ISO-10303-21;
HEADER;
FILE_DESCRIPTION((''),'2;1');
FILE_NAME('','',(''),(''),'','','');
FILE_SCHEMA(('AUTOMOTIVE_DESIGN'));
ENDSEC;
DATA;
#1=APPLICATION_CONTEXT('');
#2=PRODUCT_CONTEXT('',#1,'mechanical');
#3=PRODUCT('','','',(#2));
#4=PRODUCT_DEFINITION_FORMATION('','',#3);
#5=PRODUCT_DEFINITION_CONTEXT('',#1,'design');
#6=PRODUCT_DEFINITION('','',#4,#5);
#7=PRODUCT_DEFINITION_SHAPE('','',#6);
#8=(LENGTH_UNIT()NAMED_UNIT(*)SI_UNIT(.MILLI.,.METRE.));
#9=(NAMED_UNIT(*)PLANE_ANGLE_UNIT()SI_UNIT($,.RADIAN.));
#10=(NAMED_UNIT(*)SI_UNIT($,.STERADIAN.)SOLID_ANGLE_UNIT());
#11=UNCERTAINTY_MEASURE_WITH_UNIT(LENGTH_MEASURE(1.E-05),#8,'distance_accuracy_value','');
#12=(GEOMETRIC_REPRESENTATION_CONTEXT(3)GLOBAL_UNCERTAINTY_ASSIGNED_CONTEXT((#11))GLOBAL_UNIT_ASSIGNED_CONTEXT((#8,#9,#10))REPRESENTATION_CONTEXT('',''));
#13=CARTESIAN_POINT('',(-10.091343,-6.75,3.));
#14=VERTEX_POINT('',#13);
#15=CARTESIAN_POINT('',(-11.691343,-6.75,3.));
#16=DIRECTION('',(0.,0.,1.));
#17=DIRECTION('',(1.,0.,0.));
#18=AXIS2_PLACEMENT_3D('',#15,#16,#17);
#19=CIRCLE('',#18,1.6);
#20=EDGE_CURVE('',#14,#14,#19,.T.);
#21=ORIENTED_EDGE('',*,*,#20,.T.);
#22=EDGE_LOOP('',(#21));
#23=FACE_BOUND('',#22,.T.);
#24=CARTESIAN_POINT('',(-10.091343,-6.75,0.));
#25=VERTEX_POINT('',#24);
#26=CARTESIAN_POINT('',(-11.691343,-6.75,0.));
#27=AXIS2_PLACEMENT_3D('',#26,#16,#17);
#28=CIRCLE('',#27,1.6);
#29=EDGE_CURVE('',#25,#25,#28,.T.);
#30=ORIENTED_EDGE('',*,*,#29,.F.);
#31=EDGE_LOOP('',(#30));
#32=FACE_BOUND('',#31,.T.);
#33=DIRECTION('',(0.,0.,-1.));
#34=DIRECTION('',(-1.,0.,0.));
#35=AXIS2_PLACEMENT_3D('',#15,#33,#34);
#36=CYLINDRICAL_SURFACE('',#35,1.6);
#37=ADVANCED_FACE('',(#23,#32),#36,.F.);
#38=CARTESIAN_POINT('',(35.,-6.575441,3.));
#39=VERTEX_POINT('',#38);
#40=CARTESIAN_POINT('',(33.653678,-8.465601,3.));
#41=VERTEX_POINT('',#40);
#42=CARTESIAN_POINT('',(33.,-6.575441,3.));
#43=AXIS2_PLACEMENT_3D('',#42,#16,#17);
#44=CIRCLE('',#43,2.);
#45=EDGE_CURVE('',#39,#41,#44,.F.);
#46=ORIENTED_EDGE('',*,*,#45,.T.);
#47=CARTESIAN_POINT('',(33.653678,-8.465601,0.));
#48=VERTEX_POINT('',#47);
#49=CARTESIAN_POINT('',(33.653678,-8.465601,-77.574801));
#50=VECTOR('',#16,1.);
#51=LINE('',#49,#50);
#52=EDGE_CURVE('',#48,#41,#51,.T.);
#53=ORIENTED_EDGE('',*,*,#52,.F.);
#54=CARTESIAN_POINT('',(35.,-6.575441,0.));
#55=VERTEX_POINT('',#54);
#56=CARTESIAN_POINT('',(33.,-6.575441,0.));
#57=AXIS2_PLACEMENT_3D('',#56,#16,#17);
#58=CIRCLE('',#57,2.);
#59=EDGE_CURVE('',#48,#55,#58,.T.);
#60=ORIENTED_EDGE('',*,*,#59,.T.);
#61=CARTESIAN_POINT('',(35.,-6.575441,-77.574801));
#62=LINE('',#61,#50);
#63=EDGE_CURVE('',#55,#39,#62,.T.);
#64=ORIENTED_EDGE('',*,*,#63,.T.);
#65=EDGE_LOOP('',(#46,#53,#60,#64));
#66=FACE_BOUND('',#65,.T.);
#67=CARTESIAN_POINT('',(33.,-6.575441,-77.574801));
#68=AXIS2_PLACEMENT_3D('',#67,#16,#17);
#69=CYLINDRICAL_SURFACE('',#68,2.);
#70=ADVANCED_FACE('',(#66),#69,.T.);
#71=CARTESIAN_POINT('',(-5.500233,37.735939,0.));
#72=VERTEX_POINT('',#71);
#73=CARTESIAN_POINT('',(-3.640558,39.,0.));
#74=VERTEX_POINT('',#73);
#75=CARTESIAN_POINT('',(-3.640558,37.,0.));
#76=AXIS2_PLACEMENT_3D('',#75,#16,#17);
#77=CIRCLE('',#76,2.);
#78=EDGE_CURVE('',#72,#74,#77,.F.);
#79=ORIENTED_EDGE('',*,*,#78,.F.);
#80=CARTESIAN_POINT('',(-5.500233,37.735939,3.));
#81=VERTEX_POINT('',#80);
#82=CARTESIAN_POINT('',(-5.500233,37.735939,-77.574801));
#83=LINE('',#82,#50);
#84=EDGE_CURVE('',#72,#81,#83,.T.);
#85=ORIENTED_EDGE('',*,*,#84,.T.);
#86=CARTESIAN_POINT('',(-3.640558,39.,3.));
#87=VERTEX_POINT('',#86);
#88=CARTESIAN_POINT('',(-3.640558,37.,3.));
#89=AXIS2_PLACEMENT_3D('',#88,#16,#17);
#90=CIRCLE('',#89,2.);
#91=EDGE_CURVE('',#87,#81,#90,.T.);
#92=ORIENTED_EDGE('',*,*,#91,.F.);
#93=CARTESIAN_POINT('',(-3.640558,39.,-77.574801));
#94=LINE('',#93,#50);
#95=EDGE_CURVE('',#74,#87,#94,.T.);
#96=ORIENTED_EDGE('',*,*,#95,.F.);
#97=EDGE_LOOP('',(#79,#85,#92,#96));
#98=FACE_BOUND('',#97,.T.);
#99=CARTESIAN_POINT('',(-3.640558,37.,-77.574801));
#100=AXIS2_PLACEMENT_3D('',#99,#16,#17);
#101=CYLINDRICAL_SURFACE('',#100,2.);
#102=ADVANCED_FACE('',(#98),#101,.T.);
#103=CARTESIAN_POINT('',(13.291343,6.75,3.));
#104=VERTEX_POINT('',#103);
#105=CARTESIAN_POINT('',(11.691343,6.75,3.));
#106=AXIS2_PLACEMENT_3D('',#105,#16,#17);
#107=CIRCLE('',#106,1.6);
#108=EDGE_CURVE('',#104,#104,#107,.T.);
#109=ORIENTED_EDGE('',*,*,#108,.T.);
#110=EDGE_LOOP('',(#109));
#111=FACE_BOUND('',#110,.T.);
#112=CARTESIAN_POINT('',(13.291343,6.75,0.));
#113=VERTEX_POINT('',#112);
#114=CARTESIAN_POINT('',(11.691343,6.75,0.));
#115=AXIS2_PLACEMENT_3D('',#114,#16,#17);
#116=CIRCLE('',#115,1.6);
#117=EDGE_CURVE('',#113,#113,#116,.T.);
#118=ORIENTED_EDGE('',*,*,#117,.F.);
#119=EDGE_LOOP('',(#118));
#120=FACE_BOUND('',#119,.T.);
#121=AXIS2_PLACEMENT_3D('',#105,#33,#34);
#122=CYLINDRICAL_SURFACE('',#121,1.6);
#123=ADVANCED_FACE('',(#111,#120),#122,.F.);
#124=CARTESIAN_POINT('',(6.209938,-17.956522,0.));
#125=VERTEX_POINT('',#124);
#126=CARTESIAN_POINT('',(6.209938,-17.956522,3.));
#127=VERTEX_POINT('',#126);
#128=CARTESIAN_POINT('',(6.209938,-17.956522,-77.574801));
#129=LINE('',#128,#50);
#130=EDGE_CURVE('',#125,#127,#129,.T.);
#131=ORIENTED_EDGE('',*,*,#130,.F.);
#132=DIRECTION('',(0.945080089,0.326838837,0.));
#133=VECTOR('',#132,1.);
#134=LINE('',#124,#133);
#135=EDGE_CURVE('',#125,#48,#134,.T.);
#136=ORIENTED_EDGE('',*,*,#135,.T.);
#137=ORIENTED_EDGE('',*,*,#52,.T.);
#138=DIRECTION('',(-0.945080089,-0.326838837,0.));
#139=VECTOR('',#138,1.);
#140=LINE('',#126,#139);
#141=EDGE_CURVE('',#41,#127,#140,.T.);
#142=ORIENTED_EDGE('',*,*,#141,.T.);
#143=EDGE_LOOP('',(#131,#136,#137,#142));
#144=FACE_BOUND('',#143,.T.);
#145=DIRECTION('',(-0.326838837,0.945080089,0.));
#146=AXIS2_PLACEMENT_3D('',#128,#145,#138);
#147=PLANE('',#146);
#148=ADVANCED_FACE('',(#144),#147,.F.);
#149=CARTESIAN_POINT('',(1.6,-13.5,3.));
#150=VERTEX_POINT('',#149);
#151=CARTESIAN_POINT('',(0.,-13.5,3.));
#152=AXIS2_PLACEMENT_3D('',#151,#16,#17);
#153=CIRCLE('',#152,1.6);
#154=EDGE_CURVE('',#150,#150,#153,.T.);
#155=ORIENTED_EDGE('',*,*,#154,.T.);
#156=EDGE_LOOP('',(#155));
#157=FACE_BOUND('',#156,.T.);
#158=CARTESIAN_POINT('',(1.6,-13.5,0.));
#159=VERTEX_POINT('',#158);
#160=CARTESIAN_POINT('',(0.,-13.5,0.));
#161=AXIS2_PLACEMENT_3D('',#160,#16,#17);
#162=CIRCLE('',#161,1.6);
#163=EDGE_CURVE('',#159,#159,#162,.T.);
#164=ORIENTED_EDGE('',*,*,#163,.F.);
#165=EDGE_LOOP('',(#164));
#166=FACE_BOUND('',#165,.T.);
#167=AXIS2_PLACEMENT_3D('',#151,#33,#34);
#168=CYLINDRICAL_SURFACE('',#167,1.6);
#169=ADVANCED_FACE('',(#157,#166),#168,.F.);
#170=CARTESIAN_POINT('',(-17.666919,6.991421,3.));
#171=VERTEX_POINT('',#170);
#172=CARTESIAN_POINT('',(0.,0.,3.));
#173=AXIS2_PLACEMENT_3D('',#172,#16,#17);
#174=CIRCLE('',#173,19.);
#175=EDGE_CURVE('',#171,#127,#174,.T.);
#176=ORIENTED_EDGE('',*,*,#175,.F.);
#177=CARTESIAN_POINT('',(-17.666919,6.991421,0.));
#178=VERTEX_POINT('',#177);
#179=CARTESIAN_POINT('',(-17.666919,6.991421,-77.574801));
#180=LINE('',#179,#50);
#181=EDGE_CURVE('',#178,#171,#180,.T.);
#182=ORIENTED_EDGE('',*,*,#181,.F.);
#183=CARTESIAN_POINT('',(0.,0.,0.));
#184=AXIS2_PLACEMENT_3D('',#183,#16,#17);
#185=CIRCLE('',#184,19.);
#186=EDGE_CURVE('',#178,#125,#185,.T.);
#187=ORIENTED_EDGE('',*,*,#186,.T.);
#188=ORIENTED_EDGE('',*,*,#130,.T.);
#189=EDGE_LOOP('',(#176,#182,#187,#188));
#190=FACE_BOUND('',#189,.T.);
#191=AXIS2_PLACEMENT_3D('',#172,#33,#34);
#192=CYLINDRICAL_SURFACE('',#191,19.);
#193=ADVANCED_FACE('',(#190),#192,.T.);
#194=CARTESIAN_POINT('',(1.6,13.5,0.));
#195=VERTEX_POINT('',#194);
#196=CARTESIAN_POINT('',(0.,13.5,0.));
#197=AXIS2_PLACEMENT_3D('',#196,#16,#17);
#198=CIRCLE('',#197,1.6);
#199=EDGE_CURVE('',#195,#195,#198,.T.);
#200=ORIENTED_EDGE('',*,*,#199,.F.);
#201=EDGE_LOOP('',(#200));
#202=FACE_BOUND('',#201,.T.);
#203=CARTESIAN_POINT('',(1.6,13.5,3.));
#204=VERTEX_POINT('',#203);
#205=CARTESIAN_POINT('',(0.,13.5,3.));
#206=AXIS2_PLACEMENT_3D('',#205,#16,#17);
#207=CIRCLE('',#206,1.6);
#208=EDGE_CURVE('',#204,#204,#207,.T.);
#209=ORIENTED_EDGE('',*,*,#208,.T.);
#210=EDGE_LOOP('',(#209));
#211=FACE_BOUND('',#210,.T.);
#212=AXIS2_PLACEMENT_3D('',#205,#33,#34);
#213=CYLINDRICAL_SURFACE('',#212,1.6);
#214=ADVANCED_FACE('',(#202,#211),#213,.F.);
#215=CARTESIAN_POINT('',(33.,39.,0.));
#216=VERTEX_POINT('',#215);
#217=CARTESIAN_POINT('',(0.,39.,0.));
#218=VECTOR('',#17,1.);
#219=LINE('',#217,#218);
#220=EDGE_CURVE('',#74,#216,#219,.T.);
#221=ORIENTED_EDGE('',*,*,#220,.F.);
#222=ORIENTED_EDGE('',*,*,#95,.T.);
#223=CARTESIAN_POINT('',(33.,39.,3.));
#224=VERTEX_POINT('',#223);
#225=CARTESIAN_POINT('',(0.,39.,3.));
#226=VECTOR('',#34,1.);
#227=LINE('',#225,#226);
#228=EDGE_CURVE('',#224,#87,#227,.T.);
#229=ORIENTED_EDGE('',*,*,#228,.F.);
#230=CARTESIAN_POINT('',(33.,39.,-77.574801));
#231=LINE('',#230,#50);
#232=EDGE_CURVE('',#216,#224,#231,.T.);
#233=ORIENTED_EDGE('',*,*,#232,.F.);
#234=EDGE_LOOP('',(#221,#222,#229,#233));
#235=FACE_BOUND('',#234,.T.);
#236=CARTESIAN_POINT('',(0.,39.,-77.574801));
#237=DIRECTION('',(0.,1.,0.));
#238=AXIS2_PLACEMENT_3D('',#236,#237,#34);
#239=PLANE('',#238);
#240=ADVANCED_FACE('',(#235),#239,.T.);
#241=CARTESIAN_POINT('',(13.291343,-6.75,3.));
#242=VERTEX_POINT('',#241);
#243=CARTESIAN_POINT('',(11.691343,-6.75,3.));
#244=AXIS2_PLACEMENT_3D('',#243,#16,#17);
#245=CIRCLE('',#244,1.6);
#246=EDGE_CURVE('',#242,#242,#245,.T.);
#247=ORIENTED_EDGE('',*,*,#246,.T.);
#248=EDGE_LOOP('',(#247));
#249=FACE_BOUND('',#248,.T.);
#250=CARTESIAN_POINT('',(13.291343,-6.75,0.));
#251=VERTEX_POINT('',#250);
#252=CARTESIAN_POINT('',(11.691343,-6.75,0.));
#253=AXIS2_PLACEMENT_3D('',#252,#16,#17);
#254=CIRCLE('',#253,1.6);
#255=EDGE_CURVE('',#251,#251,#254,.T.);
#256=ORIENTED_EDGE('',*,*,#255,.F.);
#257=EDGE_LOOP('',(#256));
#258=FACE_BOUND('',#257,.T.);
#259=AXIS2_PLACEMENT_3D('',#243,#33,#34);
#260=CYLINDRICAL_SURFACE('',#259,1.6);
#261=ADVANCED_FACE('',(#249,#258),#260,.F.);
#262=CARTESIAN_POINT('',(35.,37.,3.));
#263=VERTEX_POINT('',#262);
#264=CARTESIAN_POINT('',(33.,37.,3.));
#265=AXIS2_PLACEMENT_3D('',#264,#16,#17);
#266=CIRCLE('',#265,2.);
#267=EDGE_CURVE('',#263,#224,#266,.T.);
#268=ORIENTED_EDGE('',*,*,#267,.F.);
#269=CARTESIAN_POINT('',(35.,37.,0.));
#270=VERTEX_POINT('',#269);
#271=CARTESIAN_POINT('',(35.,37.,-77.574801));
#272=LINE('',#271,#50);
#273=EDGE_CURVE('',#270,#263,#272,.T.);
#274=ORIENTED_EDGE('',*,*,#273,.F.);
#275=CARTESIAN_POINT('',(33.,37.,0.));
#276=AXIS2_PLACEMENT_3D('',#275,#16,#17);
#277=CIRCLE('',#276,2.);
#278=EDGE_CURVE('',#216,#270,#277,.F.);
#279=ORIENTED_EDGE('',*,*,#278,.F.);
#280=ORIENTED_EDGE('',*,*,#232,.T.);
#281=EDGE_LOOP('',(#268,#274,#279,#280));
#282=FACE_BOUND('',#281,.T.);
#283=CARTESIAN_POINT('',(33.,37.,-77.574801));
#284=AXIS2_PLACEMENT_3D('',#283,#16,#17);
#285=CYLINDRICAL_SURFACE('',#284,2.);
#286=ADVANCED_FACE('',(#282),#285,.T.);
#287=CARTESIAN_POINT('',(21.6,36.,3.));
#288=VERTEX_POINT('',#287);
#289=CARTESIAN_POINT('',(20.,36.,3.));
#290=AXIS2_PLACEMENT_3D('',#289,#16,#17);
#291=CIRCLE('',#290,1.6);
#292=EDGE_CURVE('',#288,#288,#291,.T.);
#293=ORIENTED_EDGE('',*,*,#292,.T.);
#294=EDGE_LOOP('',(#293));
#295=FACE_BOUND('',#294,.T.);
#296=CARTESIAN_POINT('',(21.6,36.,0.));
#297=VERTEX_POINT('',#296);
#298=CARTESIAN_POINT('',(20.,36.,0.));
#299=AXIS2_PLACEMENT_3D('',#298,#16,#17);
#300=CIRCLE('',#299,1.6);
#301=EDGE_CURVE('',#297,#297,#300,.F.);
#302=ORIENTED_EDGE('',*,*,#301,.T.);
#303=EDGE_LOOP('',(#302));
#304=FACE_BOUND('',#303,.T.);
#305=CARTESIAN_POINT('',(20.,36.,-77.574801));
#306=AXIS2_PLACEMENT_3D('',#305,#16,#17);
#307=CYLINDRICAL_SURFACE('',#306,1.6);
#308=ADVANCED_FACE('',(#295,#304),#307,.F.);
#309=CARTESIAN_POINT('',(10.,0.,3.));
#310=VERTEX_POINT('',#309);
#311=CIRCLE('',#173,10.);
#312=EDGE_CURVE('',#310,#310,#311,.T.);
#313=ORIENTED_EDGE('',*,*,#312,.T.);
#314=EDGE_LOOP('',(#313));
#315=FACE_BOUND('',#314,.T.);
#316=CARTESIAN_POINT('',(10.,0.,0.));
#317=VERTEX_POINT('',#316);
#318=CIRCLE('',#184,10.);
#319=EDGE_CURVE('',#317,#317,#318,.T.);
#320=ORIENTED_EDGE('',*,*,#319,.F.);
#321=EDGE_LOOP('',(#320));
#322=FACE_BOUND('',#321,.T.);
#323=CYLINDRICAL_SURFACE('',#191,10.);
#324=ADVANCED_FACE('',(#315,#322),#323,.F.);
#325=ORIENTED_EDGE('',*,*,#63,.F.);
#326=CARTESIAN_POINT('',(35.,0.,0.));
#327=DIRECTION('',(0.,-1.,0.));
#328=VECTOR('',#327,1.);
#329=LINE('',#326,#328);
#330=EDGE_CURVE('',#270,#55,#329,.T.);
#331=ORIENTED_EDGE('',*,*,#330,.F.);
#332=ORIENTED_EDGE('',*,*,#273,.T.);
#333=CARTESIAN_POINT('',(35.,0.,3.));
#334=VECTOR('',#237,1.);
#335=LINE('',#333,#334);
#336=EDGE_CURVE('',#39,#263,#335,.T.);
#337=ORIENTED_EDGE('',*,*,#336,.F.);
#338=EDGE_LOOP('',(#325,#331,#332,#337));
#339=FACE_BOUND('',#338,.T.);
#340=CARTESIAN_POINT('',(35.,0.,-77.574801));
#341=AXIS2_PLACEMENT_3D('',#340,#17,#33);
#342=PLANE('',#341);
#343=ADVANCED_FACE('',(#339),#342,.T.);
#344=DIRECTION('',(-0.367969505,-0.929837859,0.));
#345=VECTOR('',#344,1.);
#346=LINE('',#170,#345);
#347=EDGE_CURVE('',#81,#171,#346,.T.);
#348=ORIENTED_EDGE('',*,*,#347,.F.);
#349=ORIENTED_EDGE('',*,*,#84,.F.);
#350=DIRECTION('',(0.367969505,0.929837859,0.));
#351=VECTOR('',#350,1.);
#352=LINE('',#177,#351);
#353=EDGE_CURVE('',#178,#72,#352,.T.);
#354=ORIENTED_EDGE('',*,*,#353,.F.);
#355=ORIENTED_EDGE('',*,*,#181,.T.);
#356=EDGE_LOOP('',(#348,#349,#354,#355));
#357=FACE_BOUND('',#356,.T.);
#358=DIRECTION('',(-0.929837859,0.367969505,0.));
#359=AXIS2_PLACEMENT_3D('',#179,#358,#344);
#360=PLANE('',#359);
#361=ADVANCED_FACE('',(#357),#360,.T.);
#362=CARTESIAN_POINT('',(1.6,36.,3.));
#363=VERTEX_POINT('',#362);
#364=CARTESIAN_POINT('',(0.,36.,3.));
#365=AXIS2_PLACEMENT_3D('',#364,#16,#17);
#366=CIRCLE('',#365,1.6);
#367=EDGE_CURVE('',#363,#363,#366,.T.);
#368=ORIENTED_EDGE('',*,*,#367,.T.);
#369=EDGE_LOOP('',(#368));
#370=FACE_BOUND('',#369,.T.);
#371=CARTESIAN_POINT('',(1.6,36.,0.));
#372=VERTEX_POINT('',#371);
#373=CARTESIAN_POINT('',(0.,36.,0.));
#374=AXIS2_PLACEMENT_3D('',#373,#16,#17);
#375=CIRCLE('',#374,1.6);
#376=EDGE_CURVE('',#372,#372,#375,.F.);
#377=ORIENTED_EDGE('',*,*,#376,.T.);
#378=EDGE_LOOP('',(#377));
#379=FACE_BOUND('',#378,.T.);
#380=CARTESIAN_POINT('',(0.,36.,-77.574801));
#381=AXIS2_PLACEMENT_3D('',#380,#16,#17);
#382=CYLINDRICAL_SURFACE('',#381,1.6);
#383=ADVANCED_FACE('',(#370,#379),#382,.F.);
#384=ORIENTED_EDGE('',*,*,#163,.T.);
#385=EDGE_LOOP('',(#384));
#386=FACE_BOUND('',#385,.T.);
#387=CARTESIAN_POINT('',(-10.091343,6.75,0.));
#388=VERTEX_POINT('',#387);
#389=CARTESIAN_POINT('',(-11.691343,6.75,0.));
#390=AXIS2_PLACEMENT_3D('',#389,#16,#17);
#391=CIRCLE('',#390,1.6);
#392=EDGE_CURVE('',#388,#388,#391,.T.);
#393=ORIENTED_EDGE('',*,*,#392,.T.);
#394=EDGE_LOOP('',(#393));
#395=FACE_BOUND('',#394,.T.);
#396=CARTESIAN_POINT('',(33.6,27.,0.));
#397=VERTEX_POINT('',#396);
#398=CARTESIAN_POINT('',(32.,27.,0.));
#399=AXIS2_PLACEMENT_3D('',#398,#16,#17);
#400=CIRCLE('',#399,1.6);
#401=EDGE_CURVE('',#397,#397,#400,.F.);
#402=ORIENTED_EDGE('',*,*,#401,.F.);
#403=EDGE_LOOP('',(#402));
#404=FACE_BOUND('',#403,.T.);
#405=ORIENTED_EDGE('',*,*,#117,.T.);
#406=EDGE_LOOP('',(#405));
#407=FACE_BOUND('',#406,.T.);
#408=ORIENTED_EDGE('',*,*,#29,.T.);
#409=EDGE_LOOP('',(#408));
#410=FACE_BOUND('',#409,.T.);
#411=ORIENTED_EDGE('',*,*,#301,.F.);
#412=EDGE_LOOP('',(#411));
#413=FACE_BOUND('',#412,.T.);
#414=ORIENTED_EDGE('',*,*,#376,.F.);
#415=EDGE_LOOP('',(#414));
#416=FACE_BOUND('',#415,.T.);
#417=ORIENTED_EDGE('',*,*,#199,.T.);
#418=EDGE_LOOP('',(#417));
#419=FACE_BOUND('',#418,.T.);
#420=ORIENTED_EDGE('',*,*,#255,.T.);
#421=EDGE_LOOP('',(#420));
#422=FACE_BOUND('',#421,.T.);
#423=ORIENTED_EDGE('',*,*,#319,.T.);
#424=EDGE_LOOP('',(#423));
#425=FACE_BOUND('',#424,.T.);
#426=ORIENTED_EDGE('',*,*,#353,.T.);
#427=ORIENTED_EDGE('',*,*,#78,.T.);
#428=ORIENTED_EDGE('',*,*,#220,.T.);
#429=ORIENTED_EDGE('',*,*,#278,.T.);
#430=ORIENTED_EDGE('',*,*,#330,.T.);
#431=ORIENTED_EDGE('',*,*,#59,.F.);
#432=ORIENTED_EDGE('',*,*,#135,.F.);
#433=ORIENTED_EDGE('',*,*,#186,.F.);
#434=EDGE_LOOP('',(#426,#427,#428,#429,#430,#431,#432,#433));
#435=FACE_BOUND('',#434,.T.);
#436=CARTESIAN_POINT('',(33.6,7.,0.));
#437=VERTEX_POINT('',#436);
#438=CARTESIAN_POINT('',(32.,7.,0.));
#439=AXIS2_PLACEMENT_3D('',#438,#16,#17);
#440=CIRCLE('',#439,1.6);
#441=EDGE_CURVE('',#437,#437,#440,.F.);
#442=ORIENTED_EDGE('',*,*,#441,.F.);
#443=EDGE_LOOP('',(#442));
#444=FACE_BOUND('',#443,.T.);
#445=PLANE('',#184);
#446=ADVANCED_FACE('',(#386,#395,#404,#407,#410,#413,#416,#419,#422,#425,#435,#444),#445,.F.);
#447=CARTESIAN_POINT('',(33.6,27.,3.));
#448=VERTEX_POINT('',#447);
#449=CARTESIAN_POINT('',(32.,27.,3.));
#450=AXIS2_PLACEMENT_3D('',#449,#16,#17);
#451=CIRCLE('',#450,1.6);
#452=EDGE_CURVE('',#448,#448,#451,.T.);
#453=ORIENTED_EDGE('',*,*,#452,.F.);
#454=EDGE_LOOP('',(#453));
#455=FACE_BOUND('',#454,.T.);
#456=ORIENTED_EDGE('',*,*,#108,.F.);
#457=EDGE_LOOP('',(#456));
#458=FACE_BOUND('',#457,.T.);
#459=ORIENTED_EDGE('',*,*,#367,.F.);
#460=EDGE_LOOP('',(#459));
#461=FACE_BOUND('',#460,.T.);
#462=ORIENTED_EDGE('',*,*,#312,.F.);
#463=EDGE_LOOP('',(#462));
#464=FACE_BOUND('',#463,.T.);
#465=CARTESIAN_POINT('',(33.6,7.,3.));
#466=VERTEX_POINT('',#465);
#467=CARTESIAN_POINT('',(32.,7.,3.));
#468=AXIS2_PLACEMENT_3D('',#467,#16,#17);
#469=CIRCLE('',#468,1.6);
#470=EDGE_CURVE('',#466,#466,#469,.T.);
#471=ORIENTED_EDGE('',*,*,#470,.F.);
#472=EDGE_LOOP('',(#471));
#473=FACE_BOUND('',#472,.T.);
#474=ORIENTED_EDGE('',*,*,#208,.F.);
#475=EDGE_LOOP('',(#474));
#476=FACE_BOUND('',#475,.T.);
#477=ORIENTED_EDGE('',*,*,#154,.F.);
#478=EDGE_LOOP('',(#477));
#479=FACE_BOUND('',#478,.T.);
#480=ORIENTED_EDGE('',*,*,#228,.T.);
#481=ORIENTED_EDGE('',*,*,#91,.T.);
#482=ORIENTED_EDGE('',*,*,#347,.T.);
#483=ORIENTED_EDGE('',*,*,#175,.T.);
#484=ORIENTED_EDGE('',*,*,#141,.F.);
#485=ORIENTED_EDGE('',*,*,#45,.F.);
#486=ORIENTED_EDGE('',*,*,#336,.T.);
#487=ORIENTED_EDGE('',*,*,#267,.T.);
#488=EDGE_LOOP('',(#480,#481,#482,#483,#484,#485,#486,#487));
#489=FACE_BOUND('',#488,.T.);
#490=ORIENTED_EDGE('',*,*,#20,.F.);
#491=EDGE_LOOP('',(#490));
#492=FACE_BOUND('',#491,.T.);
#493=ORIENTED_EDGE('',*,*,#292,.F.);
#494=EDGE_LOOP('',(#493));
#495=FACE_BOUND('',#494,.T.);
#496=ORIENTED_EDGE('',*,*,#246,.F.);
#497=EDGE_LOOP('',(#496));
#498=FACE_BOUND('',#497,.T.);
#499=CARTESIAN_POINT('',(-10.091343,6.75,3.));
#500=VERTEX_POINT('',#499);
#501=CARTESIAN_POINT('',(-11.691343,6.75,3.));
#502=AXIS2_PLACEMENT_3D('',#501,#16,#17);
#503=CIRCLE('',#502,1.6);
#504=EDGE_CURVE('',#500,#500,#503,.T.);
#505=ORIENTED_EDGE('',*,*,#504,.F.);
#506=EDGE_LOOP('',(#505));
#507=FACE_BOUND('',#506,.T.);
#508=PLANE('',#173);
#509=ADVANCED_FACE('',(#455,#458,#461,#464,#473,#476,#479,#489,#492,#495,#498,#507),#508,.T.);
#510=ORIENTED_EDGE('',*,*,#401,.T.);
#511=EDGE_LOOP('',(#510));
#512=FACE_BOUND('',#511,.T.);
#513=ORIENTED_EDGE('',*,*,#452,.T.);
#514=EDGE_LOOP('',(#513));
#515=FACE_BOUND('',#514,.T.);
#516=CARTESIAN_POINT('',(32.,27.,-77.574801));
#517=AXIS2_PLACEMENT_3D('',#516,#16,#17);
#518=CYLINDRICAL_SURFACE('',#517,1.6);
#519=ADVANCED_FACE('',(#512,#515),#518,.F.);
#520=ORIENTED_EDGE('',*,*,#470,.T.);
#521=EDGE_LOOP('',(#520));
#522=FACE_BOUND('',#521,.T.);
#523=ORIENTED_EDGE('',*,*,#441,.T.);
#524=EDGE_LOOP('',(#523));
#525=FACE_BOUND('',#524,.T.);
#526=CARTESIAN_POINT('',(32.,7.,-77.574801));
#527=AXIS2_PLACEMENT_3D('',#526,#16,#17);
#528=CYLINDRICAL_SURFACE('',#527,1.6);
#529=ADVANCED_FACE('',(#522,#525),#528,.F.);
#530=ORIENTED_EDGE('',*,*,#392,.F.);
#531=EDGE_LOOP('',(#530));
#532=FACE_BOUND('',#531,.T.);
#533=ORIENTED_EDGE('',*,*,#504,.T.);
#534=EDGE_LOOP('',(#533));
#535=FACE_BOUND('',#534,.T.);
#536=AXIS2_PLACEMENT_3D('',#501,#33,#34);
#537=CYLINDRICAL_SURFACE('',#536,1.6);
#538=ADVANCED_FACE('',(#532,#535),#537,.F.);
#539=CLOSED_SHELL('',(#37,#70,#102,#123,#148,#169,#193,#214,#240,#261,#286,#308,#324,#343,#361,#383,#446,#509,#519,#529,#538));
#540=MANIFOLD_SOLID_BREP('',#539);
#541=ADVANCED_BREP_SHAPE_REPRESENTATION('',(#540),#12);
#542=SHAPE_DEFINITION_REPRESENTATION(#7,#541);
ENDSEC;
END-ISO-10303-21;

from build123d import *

# Parameters (mm, degrees)
SKETCH_1_R      = 19
SKETCH_1_R_2    = 10
SKETCH_1_R_3    = 1.6
EXTRUDE_1_DEPTH = 3
EXTRUDE_START   = -3
SKETCH_2_R      = 1.6
EXTRUDE_3_DEPTH = 3


with BuildPart() as part:
    # 草图1 → 凸台-拉伸1 (new body)
    with BuildSketch(Plane.XY):
        Circle(SKETCH_1_R)
        Circle(SKETCH_1_R_2, mode=Mode.SUBTRACT)
        with Locations((0, 13.5)):
            Circle(SKETCH_1_R_3, mode=Mode.SUBTRACT)
        with Locations((11.691342951, 6.75)):
            Circle(SKETCH_1_R_3, mode=Mode.SUBTRACT)
        with Locations((11.691342951, -6.75)):
            Circle(SKETCH_1_R_3, mode=Mode.SUBTRACT)
        with Locations((0, -13.5)):
            Circle(SKETCH_1_R_3, mode=Mode.SUBTRACT)
        with Locations((-11.691342951, -6.75)):
            Circle(SKETCH_1_R_3, mode=Mode.SUBTRACT)
        with Locations((-11.691342951, 6.75)):
            Circle(SKETCH_1_R_3, mode=Mode.SUBTRACT)
    extrude(amount=EXTRUDE_1_DEPTH)

    # 草图2 → 凸台-拉伸3 (add)
    with BuildSketch(Plane.XY.offset(3).offset(EXTRUDE_START)):
        with BuildLine():
            Line((35, -6.575441021), (35, 37))
            ThreePointArc((35, 37), (34.414213562, 38.414213562), (33, 39))
            Line((33, 39), (-3.640557622, 39))
            ThreePointArc((-3.640557622, 39), (-4.764862291, 38.654067414), (-5.500233339, 37.735939011))
            Line((-5.500233339, 37.735939011), (-17.666919312, 6.991420601))
            ThreePointArc((-17.666919312, 6.991420601), (13.726454821, 13.137139645), (6.209937899, -17.956521692))
            Line((6.209937899, -17.956521692), (33.653677674, -8.4656012))
            ThreePointArc((33.653677674, -8.4656012), (34.629011256, -7.735752327), (35, -6.575441021))
        make_face()
        with Locations((32, 7)):
            Circle(SKETCH_2_R, mode=Mode.SUBTRACT)
        with Locations((32, 27)):
            Circle(SKETCH_2_R, mode=Mode.SUBTRACT)
        with Locations((0, 36)):
            Circle(SKETCH_2_R, mode=Mode.SUBTRACT)
        with Locations((20, 36)):
            Circle(SKETCH_2_R, mode=Mode.SUBTRACT)
    extrude(amount=EXTRUDE_3_DEPTH)


solid = part.part
